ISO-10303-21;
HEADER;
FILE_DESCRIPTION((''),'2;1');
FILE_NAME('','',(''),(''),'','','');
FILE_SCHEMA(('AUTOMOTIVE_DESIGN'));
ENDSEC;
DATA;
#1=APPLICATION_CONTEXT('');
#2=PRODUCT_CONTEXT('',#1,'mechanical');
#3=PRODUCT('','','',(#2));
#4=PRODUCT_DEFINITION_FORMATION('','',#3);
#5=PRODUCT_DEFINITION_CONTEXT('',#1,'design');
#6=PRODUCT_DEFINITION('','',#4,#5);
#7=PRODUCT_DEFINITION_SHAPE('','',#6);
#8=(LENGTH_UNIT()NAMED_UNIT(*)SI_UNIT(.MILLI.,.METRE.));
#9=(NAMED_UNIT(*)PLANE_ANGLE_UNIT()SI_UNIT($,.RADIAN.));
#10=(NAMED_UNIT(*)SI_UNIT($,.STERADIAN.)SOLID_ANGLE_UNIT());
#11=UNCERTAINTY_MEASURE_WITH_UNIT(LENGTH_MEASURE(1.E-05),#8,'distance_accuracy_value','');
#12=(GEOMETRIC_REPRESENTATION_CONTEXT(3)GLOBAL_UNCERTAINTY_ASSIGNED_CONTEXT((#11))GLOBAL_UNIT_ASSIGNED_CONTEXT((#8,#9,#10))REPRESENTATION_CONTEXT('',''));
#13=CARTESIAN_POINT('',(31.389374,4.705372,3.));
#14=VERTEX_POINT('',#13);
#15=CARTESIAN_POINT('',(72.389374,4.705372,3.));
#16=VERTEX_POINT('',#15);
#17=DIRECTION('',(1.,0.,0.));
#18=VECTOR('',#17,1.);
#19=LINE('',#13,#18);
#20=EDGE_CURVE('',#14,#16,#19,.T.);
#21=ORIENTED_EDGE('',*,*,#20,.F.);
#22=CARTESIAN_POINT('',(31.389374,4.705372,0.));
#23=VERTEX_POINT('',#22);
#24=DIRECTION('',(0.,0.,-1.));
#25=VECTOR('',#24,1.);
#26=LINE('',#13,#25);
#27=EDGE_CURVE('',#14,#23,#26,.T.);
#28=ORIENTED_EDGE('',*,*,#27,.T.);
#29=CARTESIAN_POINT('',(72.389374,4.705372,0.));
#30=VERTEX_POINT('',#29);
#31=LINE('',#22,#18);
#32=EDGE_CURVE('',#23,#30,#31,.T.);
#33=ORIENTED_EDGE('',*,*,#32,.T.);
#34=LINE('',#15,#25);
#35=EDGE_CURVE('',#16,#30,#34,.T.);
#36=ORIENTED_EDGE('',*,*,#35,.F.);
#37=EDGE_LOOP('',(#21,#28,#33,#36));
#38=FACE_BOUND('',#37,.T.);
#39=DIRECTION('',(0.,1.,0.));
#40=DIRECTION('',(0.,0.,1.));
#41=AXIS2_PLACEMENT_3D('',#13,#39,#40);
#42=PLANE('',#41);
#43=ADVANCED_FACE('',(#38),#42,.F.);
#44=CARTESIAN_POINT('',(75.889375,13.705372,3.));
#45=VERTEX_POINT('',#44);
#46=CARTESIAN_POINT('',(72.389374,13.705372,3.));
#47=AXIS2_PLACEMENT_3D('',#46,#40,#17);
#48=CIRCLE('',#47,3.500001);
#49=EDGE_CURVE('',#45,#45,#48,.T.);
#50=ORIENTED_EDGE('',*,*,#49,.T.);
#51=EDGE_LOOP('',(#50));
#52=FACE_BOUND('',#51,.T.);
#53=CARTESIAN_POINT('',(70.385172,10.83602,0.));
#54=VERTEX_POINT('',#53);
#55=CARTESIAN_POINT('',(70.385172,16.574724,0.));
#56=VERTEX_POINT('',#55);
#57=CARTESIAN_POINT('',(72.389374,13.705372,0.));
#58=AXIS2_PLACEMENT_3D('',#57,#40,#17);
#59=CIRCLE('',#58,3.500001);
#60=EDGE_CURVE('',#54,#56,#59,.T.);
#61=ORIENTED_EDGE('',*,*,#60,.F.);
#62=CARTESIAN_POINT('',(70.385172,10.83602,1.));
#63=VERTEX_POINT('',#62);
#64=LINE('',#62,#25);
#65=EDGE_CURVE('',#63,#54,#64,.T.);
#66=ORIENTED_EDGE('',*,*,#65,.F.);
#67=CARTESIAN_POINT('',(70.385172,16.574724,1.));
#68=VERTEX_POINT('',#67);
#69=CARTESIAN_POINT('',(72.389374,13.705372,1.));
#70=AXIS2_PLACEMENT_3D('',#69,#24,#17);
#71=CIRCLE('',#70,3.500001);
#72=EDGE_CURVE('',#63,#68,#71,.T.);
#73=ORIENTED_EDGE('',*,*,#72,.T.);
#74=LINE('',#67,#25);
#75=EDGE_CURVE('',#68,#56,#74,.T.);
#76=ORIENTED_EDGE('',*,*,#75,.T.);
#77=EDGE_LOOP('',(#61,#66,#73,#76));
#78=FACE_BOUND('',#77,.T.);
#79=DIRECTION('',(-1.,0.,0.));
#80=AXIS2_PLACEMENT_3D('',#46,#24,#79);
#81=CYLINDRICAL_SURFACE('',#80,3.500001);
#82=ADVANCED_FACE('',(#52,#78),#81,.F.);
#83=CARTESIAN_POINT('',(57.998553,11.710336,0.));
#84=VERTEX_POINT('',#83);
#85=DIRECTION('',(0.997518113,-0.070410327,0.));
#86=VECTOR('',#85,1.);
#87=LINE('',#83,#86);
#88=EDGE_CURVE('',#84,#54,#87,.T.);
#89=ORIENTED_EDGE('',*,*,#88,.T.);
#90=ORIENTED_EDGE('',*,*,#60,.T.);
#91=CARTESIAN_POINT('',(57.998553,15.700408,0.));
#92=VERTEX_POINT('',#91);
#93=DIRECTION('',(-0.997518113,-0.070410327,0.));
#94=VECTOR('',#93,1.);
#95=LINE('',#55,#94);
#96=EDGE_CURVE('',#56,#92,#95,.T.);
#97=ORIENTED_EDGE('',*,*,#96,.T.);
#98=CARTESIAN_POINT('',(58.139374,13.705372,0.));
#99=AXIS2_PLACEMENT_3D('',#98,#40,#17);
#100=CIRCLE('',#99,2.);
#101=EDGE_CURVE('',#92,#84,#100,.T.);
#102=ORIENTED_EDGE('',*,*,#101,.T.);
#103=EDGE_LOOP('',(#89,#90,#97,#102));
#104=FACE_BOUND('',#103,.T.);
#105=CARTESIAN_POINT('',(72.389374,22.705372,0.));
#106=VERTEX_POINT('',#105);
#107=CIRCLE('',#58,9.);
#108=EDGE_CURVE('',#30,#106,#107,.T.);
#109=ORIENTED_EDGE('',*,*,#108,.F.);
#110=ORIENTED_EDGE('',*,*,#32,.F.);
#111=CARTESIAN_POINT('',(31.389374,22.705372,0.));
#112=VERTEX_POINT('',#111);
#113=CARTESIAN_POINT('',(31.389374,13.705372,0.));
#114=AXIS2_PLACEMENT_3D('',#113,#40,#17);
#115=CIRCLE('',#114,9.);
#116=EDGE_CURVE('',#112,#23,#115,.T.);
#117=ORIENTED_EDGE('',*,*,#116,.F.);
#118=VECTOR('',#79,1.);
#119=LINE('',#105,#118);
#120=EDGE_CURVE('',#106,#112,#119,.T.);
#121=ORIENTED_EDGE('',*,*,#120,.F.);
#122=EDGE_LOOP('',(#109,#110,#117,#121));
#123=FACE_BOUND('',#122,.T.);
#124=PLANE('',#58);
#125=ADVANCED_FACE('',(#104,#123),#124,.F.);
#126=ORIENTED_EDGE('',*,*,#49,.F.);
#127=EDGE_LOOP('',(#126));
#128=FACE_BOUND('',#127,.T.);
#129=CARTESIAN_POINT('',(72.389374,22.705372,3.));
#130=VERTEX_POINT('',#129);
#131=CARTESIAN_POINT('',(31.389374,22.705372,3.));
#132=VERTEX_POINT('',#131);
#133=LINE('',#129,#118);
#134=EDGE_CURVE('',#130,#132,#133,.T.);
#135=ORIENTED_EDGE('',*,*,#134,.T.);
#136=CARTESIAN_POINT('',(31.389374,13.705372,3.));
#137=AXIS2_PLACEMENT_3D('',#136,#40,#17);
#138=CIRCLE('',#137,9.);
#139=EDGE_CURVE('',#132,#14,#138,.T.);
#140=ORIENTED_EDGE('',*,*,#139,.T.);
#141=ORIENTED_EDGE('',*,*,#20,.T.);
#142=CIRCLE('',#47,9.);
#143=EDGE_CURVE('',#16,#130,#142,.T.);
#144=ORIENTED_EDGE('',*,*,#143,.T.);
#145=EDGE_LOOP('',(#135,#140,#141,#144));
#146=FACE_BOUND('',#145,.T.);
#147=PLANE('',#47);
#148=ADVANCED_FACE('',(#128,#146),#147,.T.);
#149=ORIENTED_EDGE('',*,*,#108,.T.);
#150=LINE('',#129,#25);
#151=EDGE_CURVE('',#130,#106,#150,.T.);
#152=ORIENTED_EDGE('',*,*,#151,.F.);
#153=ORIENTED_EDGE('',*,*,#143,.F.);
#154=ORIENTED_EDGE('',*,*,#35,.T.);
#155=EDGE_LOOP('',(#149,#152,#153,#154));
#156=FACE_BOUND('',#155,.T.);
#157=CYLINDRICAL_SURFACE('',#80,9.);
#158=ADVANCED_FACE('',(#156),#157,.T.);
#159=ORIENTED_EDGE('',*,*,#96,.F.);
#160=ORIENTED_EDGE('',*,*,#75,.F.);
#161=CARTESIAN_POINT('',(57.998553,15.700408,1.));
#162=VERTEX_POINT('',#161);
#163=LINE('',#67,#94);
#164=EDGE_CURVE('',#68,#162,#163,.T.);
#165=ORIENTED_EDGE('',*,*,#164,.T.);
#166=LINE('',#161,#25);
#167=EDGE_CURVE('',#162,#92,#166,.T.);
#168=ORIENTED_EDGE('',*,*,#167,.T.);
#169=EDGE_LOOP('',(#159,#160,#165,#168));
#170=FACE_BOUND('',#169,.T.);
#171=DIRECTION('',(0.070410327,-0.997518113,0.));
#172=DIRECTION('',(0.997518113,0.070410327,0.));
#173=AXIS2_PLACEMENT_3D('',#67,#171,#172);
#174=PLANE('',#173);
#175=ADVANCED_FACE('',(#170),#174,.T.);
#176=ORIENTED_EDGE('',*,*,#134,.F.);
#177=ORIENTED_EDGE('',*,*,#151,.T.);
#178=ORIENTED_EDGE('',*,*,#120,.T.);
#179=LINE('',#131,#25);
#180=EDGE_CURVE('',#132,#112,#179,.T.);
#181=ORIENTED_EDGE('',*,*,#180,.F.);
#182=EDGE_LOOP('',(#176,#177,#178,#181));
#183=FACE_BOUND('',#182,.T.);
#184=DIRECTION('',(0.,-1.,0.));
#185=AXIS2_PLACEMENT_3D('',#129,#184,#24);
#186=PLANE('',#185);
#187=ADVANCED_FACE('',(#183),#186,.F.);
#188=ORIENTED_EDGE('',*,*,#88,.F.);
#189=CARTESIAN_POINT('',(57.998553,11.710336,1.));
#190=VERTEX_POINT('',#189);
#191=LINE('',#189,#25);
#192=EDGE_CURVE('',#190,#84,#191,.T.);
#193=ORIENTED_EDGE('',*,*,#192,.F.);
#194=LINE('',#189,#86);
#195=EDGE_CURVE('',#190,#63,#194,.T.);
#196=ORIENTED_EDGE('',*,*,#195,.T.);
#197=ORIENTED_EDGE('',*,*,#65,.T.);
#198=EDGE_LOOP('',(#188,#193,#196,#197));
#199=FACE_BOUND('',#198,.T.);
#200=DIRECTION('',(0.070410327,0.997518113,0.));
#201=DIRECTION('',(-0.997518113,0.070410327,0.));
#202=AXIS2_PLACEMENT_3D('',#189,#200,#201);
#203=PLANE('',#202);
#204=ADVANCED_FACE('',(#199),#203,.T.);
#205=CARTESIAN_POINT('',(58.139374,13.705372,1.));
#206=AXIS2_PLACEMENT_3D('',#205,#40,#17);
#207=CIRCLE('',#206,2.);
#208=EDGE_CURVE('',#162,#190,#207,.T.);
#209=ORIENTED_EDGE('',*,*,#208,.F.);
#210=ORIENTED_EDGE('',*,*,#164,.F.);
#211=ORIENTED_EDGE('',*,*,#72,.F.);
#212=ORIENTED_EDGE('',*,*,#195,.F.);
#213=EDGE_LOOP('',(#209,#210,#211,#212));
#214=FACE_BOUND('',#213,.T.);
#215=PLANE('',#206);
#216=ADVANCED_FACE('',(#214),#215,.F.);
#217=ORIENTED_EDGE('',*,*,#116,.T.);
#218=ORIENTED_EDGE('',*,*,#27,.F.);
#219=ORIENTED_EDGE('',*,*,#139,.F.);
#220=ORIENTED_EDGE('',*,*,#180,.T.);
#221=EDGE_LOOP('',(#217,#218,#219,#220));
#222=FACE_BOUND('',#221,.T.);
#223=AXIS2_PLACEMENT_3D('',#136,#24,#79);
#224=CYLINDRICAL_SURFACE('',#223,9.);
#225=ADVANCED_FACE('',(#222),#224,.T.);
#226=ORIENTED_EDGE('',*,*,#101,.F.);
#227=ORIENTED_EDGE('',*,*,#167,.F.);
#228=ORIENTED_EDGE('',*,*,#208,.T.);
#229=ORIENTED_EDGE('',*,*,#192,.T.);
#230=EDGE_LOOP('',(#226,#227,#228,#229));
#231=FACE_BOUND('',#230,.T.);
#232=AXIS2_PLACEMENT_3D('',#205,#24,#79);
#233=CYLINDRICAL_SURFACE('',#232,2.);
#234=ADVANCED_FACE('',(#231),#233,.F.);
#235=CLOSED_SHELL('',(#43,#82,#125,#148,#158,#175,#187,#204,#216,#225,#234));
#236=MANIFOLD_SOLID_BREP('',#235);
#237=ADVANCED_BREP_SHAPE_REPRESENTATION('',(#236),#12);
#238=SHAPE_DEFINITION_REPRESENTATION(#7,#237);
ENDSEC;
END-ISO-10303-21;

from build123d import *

# Parameters (mm, degrees)
CORTE_EXTERIOR_R        = 3.500001168
SALIENTE_EXTRUIR1_DEPTH = 3
CORTAR_EXTRUIR1_DEPTH   = 1


with BuildPart() as part:
    # Corte exterior → Saliente-Extruir1 (new body)
    with BuildSketch(Plane.XY):
        with BuildLine():
            Line((31.389373952, 4.705371802), (72.389373952, 4.705371802))
            ThreePointArc((72.389373952, 4.705371802), (81.389373952, 13.705371802), (72.389373952, 22.705371802))
            Line((72.389373952, 22.705371802), (31.389373952, 22.705371802))
            ThreePointArc((31.389373952, 22.705371802), (22.389373952, 13.705371802), (31.389373952, 4.705371802))
        make_face()
        with Locations((72.389373952, 13.705371802)):
            Circle(CORTE_EXTERIOR_R, mode=Mode.SUBTRACT)
    extrude(amount=SALIENTE_EXTRUIR1_DEPTH)

    # Grabado Superficie → Cortar-Extruir1 (cut)
    with BuildSketch(Plane.XY):
        with BuildLine():
            Line((70.385171574, 16.57472382), (57.998553299, 15.700408028))
            ThreePointArc((57.998553299, 15.700408028), (56.139373952, 13.705371802), (57.998553299, 11.710335575))
            Line((57.998553299, 11.710335575), (70.385171574, 10.836019783))
            ThreePointArc((70.385171574, 10.836019783), (68.889372784, 13.705371802), (70.385171574, 16.57472382))
        make_face()
    extrude(amount=CORTAR_EXTRUIR1_DEPTH, mode=Mode.SUBTRACT)


solid = part.part
